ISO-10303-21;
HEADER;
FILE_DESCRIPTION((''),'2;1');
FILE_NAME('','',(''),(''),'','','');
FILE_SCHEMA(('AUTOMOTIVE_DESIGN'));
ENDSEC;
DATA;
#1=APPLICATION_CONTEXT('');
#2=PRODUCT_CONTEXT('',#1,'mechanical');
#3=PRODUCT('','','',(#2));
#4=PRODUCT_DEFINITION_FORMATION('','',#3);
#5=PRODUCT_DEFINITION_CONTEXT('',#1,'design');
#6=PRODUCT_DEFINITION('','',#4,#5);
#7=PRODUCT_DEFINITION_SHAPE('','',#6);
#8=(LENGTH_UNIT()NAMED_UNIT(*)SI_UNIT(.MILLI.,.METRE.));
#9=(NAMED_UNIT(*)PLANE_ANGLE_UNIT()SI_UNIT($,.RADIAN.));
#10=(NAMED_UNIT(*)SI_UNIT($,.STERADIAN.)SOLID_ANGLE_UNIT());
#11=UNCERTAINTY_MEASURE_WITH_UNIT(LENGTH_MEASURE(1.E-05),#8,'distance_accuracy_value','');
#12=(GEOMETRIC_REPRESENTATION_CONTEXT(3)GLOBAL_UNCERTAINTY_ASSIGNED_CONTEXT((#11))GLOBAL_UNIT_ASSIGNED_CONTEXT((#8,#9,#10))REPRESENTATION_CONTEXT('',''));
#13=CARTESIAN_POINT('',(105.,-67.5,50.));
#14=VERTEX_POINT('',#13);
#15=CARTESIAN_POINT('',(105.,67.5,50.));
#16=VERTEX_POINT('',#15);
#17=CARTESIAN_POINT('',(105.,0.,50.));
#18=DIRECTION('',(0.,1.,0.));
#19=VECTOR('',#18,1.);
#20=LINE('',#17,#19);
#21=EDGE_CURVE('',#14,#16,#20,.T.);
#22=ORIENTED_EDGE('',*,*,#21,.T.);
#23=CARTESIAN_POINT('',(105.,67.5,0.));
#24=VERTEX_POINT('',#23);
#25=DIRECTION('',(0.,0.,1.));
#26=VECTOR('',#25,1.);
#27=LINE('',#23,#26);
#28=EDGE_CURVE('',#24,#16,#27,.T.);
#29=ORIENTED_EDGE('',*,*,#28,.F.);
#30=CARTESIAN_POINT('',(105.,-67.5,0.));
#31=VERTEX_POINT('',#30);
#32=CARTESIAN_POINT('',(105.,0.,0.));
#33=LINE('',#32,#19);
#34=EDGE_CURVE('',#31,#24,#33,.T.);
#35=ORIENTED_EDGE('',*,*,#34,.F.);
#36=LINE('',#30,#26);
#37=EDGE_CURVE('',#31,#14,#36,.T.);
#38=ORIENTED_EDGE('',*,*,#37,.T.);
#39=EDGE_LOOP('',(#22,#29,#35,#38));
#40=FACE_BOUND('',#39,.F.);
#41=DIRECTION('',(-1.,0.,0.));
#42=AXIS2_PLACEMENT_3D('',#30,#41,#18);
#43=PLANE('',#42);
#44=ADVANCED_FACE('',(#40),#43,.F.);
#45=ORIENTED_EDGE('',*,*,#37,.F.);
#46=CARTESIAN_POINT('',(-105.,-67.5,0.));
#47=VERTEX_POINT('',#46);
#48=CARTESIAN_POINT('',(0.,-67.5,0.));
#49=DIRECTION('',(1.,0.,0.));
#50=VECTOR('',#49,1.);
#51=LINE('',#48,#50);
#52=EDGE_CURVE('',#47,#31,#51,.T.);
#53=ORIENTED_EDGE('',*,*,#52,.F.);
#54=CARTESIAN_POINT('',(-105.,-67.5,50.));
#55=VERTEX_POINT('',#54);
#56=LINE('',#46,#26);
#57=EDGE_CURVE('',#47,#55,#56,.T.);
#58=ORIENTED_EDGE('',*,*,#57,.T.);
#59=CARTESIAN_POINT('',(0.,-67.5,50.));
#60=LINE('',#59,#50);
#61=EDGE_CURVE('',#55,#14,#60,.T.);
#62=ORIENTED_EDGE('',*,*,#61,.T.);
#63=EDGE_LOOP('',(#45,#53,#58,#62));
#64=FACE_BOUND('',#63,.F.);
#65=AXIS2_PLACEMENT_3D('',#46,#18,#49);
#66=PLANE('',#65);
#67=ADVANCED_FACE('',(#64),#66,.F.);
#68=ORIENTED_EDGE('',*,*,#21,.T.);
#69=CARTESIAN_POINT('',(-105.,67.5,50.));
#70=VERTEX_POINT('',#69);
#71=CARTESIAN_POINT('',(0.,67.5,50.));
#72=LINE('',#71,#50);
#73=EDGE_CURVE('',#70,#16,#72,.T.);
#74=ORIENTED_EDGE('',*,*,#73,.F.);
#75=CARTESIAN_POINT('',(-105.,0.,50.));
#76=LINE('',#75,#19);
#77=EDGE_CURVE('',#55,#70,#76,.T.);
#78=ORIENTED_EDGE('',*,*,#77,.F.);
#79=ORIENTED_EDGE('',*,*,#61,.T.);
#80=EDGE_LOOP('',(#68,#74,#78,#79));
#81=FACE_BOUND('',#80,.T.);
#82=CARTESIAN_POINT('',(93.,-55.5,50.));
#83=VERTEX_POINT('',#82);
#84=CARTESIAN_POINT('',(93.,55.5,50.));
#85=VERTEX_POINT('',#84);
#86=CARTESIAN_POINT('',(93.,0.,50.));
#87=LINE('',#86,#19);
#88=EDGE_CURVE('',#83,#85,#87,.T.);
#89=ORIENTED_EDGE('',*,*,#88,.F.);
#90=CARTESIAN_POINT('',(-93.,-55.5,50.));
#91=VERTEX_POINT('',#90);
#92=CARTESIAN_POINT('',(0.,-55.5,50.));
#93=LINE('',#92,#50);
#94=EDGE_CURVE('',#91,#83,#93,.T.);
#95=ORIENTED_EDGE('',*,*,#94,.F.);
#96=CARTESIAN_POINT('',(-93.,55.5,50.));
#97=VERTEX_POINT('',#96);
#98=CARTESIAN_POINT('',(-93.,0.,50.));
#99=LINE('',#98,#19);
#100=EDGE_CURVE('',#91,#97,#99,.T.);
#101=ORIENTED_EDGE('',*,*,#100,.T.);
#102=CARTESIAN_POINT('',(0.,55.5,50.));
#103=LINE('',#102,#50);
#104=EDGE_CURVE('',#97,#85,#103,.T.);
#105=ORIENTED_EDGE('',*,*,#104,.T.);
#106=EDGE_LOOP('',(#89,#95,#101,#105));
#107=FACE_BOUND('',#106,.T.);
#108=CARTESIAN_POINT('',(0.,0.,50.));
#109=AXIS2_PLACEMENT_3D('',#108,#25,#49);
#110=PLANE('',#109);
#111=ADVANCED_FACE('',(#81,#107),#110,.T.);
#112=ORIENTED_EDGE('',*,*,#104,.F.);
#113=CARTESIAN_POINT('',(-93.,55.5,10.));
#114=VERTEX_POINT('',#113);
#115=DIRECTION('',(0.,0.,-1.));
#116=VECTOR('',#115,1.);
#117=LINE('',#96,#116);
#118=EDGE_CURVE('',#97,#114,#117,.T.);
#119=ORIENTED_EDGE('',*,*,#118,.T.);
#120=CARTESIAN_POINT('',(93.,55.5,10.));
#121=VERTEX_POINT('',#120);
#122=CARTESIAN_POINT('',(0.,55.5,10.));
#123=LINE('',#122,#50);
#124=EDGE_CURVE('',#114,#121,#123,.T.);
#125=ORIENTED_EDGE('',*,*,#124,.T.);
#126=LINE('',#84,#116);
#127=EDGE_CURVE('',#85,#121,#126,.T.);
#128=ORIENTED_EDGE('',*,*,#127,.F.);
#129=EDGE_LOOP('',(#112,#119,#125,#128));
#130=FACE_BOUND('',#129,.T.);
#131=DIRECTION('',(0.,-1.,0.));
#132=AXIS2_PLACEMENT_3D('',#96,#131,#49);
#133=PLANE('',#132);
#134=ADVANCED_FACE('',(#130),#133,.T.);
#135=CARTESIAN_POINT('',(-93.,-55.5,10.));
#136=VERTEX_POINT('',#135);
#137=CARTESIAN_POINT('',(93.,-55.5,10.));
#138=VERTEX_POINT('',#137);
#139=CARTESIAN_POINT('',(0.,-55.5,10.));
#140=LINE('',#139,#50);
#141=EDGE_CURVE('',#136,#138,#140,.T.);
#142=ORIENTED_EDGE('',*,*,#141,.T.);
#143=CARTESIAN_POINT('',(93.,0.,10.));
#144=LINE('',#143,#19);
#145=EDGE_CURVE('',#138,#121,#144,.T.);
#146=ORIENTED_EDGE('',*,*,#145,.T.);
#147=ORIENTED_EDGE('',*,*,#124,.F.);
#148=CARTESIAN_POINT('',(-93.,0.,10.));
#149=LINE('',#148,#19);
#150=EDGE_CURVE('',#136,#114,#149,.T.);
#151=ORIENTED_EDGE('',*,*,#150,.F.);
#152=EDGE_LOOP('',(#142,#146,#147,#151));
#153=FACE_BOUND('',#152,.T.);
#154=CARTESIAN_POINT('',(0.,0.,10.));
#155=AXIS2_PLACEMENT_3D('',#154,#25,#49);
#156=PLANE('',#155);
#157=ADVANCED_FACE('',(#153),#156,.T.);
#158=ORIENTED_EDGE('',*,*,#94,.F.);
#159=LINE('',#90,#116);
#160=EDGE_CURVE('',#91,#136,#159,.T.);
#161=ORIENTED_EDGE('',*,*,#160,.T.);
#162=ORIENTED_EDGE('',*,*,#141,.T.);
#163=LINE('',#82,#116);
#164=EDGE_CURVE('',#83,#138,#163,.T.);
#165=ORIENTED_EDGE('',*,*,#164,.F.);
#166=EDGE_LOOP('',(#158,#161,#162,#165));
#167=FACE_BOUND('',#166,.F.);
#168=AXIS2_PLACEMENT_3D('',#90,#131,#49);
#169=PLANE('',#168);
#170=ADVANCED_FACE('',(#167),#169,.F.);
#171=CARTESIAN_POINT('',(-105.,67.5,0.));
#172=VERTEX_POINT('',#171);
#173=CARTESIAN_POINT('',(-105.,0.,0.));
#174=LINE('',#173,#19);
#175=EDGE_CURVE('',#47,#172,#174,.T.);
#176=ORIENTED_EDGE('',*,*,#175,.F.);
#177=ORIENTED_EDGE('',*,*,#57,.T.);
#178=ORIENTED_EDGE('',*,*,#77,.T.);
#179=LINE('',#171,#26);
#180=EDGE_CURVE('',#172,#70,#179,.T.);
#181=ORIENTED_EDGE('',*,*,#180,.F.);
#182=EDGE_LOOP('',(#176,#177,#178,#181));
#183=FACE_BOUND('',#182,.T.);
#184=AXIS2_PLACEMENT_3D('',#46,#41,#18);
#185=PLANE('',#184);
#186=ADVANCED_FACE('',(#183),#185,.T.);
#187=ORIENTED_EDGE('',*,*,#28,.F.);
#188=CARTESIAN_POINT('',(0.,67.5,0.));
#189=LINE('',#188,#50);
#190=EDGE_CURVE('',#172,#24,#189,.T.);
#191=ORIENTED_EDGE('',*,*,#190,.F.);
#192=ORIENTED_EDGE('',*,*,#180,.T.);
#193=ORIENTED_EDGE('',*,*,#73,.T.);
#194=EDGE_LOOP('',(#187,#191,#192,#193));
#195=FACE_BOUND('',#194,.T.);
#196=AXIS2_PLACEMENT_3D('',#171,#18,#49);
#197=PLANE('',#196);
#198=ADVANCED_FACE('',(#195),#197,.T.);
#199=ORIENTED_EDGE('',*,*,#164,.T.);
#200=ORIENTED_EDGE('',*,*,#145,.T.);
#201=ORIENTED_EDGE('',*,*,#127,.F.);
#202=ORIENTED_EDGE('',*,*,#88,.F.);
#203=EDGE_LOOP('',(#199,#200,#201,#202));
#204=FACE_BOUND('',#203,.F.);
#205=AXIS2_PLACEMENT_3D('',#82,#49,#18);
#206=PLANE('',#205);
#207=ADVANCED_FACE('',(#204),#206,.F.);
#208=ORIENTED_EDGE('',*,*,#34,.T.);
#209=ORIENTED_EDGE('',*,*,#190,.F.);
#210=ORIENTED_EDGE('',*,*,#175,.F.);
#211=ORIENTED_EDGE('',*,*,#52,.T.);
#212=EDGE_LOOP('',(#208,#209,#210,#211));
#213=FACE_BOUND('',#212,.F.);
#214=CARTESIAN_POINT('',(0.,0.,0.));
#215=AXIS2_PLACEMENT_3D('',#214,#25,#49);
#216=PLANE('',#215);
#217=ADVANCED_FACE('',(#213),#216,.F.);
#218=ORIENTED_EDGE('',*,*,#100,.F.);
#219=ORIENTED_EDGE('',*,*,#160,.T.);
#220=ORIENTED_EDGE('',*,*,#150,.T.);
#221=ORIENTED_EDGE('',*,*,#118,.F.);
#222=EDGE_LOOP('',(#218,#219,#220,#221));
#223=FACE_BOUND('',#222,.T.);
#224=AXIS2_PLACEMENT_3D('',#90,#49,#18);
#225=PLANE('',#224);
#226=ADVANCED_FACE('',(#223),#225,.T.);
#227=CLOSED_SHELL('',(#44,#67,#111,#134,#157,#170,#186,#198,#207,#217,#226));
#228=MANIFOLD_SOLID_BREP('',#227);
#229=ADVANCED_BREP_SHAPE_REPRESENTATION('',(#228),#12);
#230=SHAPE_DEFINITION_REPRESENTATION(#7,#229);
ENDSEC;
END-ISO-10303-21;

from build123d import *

# Parameters (mm, degrees)
SKETCH_W     = 210
SKETCH_H     = 135
PAD_DEPTH    = 50
SKETCH001_W  = 186
SKETCH001_H  = 111
POCKET_DEPTH = 40


with BuildPart() as part:
    # Sketch → Pad (new body)
    with BuildSketch(Plane.XY):
        Rectangle(SKETCH_W, SKETCH_H)
    extrude(amount=PAD_DEPTH)

    # Sketch001 (on Face6 of Pad) → Pocket (cut)
    with BuildSketch(Plane.XY.offset(50)):
        Rectangle(SKETCH001_W, SKETCH001_H)
    extrude(amount=-POCKET_DEPTH, mode=Mode.SUBTRACT)


solid = part.part
